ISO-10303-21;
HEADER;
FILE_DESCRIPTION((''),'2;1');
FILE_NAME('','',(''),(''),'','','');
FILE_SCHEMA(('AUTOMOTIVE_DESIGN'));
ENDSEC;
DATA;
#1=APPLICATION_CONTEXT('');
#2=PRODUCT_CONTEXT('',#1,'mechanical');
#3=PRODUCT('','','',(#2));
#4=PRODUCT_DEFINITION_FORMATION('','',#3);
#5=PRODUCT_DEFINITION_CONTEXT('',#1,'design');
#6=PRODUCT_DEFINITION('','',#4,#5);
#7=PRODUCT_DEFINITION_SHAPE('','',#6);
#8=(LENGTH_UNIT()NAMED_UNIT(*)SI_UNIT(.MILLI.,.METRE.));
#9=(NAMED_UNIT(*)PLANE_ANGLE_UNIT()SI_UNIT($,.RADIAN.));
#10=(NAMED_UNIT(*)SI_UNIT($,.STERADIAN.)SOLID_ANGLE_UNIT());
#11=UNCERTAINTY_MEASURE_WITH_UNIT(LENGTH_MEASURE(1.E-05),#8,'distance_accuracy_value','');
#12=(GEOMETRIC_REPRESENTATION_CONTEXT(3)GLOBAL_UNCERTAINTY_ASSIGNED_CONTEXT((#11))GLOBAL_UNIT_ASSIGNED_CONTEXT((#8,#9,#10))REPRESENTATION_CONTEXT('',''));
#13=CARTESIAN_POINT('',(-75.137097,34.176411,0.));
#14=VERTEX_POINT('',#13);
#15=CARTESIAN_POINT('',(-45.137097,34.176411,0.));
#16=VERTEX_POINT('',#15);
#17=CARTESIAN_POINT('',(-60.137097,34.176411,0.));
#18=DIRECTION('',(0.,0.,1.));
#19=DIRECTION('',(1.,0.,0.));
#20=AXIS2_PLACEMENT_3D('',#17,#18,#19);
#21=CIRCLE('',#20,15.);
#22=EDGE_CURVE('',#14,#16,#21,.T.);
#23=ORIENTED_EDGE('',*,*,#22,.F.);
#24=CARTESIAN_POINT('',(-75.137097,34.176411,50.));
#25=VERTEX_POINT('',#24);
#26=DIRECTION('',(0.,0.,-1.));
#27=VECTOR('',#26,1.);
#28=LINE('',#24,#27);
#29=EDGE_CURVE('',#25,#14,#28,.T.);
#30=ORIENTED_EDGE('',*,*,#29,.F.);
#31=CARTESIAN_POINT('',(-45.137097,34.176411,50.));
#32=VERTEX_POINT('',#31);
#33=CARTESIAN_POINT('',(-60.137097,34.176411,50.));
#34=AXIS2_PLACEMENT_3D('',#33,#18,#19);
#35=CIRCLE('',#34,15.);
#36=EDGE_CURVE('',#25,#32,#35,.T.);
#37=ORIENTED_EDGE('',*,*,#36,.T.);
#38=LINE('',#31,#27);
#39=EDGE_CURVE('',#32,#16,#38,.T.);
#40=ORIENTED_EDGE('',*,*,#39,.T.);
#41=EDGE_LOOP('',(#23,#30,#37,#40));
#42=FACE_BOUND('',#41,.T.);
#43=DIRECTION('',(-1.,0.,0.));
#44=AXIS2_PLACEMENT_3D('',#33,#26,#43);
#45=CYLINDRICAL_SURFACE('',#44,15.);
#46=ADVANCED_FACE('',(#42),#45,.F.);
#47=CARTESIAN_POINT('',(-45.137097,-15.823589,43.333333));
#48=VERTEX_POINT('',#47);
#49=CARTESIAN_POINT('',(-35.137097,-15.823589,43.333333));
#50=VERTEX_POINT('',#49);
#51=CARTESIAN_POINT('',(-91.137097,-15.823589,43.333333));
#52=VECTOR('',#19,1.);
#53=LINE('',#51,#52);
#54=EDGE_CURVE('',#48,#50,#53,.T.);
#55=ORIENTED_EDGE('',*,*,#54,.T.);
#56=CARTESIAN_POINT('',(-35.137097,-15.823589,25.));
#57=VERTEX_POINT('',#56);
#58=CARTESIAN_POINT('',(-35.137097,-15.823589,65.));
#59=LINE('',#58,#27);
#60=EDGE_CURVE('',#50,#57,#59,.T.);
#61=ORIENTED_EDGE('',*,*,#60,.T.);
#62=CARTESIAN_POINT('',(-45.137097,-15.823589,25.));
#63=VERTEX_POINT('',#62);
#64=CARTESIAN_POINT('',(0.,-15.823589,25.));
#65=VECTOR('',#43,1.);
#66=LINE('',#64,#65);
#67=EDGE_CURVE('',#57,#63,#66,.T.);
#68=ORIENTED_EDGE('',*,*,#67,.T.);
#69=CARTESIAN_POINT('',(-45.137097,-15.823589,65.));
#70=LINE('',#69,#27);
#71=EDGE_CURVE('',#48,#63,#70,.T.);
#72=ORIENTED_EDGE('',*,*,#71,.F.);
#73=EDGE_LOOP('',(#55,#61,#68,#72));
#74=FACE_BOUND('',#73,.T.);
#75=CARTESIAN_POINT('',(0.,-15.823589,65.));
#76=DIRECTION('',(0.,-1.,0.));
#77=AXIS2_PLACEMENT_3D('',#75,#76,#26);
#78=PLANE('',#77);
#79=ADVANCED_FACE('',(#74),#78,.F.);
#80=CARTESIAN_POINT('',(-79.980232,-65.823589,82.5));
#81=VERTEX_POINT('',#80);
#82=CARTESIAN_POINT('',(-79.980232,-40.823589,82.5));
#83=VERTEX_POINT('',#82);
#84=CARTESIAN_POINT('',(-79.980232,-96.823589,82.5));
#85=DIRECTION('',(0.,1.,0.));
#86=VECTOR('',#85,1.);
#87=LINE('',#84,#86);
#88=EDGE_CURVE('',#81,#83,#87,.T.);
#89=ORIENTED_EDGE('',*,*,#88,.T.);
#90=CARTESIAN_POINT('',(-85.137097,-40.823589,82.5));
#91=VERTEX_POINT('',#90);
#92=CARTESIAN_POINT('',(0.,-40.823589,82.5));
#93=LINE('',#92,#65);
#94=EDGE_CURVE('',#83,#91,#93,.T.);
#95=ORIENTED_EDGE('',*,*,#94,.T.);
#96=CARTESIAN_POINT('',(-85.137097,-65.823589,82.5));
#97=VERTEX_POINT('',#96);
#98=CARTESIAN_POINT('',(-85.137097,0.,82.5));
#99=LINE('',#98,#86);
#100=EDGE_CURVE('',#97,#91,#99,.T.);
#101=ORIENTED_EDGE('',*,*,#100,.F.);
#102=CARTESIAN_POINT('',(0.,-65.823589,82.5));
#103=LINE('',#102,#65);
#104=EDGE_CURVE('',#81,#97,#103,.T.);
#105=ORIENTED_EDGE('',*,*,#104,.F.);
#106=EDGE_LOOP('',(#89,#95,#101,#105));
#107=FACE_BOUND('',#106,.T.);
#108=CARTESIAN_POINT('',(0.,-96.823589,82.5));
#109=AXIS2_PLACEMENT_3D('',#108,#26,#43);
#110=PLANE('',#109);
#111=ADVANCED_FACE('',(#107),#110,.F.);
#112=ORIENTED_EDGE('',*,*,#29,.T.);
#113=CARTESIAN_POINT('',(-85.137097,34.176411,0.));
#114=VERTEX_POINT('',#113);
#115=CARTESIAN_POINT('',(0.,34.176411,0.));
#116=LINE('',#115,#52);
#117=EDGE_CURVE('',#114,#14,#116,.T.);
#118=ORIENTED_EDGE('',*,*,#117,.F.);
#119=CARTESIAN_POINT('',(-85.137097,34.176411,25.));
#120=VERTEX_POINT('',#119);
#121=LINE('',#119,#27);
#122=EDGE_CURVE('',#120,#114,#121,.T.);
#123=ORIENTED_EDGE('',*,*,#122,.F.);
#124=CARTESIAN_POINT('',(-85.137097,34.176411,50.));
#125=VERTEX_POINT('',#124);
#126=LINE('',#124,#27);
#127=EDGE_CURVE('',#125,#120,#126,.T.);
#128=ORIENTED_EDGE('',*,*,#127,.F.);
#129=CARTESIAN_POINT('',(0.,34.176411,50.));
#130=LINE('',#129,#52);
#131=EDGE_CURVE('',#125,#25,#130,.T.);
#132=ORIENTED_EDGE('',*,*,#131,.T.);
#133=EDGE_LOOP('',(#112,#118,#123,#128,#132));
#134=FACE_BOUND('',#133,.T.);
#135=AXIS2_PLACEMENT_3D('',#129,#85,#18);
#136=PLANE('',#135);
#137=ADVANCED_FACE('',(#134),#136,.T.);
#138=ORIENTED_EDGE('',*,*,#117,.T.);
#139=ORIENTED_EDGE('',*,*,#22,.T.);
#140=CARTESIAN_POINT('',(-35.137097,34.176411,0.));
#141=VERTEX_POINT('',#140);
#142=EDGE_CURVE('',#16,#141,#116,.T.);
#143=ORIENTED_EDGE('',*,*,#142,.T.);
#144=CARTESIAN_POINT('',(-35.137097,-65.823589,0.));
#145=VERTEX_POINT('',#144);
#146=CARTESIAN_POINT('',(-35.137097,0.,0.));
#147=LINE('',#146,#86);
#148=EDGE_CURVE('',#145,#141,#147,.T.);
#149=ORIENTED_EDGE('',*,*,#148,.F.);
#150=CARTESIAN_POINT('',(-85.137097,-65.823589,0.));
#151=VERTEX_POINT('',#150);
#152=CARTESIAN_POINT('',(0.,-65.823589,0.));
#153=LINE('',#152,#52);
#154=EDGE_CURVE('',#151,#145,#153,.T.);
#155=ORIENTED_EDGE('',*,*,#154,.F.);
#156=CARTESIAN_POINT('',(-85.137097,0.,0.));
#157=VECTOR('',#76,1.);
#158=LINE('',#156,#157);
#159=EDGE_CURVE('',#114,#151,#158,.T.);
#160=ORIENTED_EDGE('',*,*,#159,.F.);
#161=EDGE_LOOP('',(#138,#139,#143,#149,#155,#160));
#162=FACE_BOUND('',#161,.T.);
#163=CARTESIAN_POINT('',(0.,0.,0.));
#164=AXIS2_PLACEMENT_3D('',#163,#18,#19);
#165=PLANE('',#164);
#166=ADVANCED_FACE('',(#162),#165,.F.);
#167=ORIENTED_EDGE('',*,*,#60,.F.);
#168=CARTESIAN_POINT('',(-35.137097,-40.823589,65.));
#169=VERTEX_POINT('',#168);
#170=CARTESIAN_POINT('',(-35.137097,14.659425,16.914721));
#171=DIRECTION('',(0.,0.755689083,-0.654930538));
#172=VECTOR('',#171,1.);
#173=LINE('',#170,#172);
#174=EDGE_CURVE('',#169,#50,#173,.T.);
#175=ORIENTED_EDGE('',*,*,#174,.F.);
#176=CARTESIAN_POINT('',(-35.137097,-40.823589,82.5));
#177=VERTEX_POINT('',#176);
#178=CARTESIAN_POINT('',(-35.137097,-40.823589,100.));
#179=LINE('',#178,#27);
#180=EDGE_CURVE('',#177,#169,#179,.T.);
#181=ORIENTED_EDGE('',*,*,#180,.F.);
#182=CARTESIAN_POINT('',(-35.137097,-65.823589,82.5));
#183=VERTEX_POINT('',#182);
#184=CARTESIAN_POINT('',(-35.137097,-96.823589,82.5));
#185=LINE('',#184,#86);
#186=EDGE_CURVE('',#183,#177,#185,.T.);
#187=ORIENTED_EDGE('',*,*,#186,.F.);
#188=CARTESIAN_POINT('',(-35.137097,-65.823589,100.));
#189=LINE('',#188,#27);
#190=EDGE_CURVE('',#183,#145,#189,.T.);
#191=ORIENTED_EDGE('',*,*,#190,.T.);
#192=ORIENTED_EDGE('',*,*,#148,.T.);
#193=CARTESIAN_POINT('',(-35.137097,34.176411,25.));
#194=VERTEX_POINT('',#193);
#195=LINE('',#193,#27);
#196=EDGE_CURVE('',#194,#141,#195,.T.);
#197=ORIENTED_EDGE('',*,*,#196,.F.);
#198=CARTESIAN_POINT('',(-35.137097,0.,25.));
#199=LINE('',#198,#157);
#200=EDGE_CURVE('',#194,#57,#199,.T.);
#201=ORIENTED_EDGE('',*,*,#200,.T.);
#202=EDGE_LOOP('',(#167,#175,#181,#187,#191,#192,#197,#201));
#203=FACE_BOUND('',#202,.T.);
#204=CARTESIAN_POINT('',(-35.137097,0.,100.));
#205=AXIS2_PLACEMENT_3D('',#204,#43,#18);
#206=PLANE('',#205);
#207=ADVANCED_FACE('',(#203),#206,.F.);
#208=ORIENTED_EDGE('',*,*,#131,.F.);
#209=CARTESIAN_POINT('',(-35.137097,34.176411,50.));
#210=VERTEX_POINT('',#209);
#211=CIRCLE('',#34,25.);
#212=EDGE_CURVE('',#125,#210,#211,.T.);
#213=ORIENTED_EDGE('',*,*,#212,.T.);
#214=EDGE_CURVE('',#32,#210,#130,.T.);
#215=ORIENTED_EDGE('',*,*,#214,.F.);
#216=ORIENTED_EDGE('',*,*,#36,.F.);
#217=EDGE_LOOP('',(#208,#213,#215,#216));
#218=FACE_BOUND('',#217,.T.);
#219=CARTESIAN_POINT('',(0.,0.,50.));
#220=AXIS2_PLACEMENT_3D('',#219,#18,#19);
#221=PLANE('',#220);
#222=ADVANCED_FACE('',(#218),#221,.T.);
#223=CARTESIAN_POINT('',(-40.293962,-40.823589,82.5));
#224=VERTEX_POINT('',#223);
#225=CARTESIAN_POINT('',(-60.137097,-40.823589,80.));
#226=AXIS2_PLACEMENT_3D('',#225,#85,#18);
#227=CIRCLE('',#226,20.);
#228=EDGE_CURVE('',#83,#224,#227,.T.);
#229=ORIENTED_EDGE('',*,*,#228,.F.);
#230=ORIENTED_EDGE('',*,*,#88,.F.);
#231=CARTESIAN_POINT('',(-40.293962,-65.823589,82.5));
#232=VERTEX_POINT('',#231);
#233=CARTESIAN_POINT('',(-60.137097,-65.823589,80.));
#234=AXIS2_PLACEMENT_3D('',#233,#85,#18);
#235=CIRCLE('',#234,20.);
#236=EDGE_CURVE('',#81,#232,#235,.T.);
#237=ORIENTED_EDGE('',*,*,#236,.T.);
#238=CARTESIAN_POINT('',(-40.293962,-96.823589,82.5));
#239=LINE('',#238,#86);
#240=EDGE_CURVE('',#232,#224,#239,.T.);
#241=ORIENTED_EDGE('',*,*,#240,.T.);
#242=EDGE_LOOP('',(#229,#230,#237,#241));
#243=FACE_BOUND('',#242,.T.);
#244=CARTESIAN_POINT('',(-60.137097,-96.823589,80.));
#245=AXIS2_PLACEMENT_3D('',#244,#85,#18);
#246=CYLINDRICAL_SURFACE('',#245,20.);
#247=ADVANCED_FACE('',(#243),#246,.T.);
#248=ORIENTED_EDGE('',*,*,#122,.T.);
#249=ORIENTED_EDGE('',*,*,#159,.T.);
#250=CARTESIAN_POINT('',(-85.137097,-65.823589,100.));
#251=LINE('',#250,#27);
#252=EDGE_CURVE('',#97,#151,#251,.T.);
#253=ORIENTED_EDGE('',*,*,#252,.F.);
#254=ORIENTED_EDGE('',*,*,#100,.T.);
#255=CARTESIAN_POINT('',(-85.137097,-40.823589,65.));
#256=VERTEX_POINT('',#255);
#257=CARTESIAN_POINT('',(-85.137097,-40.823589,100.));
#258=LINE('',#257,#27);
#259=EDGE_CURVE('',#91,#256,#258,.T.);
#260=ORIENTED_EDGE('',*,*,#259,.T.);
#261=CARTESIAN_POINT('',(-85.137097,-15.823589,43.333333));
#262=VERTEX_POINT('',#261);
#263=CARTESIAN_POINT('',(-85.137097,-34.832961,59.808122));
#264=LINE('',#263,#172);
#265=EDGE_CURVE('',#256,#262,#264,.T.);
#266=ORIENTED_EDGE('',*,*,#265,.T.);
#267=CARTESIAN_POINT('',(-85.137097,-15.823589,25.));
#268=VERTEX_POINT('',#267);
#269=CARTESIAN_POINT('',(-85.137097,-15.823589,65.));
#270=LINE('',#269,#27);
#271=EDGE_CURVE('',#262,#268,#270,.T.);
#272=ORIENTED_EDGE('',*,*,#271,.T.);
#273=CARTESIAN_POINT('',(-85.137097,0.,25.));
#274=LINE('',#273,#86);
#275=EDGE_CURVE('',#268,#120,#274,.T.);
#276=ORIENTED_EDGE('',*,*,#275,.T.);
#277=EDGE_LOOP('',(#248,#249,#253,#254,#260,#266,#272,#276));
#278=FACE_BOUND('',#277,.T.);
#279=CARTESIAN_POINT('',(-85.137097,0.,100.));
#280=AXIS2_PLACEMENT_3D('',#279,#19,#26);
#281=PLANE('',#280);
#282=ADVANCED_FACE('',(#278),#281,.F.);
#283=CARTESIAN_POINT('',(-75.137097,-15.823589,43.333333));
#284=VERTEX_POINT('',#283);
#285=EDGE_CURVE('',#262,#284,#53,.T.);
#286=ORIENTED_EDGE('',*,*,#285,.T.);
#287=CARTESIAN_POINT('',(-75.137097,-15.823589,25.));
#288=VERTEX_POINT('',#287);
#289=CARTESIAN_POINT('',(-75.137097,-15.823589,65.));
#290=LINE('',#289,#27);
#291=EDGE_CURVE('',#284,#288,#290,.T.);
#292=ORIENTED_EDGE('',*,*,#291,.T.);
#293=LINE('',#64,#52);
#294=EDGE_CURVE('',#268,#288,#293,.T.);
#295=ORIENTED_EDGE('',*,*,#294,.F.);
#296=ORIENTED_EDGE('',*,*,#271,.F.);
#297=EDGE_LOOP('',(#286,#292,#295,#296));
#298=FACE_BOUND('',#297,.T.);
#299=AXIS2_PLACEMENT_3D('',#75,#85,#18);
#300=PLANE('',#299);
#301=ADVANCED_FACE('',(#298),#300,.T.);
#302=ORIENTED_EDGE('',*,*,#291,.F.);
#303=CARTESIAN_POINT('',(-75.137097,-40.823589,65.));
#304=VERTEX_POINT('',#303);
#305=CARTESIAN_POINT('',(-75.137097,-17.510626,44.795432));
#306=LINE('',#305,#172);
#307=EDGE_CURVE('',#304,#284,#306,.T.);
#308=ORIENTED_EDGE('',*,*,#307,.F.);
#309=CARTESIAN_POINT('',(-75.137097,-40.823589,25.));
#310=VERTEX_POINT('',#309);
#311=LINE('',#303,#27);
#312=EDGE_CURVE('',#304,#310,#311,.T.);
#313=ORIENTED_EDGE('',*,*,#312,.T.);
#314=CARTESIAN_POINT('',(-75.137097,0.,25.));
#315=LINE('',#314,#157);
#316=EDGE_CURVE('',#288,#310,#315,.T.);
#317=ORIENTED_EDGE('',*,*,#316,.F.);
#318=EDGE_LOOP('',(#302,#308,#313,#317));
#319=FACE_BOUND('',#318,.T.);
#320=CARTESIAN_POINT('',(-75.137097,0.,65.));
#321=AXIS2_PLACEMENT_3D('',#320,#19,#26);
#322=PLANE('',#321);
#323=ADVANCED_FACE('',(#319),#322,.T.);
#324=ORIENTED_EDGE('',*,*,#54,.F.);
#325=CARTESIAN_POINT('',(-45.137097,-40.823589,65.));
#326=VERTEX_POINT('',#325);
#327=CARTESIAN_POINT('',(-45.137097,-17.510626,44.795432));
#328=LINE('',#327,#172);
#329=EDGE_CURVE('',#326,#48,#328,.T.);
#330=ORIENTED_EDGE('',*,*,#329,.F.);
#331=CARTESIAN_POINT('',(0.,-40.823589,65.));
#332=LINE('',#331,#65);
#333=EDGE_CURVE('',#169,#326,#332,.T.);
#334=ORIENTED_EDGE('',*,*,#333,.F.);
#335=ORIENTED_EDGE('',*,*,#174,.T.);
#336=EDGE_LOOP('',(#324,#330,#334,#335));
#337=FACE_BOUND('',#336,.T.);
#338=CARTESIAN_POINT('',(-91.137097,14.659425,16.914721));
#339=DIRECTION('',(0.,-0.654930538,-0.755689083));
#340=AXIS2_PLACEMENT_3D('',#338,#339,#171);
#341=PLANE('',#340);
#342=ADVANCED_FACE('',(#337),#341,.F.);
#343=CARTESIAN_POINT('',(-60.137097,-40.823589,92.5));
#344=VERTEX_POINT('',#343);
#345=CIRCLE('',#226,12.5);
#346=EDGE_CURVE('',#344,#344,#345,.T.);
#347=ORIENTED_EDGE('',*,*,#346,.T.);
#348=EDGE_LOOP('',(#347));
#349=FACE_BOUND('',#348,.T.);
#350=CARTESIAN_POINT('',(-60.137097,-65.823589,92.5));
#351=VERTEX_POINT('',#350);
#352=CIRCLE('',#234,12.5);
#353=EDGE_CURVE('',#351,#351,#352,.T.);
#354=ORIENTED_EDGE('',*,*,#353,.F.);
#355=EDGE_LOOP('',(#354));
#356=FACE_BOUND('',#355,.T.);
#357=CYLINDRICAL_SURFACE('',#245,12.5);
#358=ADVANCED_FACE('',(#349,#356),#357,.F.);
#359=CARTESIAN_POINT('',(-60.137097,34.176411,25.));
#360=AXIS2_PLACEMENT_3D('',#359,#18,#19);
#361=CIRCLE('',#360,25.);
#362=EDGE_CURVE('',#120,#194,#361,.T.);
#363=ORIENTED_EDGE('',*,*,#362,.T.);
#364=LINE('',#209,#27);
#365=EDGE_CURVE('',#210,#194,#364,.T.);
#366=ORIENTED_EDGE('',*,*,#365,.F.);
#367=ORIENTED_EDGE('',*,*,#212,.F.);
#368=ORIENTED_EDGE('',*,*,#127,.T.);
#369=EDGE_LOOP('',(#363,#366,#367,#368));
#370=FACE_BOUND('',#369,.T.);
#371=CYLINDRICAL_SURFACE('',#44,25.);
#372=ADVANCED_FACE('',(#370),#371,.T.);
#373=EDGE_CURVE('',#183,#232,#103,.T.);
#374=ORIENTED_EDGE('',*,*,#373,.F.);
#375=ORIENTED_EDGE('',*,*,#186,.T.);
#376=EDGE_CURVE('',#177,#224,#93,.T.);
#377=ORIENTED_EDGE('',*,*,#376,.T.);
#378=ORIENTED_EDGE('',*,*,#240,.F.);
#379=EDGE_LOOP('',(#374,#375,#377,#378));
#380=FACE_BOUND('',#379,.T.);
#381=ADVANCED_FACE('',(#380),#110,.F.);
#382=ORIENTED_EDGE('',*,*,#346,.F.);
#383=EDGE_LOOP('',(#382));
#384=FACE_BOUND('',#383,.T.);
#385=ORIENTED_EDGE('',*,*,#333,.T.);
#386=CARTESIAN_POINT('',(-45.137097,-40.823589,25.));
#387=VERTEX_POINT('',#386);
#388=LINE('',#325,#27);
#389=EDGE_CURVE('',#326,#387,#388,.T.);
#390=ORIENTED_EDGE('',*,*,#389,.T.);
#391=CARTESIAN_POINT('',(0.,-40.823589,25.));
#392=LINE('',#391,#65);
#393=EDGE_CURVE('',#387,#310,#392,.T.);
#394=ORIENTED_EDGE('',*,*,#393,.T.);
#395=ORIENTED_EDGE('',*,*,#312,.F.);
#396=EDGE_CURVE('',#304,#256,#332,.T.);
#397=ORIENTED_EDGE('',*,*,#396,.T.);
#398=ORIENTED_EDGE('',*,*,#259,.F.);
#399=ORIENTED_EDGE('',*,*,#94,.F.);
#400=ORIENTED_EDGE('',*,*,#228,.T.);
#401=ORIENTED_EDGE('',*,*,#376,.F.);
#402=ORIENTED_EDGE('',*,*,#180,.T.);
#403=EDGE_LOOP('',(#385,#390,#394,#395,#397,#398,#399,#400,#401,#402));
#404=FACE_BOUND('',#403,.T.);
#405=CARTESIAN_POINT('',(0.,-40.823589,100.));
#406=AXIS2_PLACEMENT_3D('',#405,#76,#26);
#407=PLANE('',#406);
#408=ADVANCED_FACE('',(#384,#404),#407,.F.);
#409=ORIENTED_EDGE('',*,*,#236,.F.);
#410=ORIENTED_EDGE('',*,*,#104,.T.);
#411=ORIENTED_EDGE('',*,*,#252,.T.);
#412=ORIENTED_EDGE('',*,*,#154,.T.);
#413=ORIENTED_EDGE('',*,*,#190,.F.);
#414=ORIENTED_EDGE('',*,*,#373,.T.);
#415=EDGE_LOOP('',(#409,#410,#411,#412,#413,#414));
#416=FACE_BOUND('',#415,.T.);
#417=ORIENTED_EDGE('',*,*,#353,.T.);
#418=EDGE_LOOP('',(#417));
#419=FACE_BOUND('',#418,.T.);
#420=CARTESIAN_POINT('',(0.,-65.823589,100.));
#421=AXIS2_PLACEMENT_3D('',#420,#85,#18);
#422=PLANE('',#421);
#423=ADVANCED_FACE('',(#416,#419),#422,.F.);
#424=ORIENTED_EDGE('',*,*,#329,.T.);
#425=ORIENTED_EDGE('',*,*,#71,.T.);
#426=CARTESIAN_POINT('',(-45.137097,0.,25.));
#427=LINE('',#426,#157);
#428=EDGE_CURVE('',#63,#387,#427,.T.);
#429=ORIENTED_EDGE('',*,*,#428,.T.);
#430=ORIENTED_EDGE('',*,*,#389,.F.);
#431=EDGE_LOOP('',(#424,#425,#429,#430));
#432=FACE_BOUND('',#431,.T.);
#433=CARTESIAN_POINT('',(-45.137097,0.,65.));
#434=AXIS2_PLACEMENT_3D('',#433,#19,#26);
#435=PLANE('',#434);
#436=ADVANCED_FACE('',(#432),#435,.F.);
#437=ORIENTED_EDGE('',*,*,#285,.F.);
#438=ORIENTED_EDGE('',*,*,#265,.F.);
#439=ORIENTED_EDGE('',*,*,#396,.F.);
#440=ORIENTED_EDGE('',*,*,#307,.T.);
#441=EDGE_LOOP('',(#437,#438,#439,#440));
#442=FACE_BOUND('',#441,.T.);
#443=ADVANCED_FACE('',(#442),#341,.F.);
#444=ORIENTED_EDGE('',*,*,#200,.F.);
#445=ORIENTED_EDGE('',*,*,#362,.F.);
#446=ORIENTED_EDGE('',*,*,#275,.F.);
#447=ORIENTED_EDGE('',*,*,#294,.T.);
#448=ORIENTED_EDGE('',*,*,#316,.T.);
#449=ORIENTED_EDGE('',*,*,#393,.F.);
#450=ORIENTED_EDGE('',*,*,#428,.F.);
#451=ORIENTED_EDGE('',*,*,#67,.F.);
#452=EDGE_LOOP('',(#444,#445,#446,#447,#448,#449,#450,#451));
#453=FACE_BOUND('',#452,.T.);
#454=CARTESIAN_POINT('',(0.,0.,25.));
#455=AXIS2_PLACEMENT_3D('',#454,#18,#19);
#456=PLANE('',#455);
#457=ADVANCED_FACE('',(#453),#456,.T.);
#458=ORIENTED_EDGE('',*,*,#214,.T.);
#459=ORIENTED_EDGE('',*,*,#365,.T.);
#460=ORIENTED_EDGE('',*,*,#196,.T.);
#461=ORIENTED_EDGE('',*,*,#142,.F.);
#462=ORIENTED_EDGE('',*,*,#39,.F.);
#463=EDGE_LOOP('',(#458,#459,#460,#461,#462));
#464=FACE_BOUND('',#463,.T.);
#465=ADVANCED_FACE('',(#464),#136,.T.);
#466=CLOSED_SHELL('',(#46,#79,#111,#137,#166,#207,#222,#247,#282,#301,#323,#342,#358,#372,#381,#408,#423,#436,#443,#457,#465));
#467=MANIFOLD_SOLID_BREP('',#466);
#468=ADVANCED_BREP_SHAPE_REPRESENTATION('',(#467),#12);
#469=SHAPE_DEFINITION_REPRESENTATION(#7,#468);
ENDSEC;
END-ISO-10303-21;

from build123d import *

# Parameters (mm, degrees)
BOSS_EXTRUDE2_DEPTH = 100
SKETCH1_4_W         = 10
SKETCH1_4_H         = 25
BOSS_EXTRUDE3_DEPTH = 65
BOSS_EXTRUDE4_DEPTH = 25
BOSS_EXTRUDE5_DEPTH = 50
SKETCH4_R           = 12.5
CUT_EXTRUDE1_DEPTH  = 56
CUT_EXTRUDE2_DEPTH  = 56


with BuildPart() as part:
    # Sketch1 → Boss-Extrude2 (new body)
    with BuildSketch(Plane.XY):
        Polygon((-85.137096774, -40.82358871), (-85.137096774, -65.82358871), (-35.137096774, -65.82358871), (-35.137096774, -40.82358871), (-45.137096774, -40.82358871), (-75.137096774, -40.82358871), align=None)
    extrude(amount=BOSS_EXTRUDE2_DEPTH)

    # Sketch1<4> → Boss-Extrude3 (add)
    with BuildSketch(Plane.XY):
        with Locations((-80.137096774, -28.32358871)):
            Rectangle(SKETCH1_4_W, SKETCH1_4_H)
        with Locations((-40.137096774, -28.32358871)):
            Rectangle(SKETCH1_4_W, SKETCH1_4_H)
    extrude(amount=BOSS_EXTRUDE3_DEPTH)

    # Sketch1<5> → Boss-Extrude4 (add)
    with BuildSketch(Plane.XY):
        with BuildLine():
            Line((-75.137096774, -15.82358871), (-75.137096774, -40.82358871))
            Line((-75.137096774, -40.82358871), (-45.137096774, -40.82358871))
            Line((-45.137096774, -40.82358871), (-45.137096774, -15.82358871))
            Line((-45.137096774, -15.82358871), (-35.137096774, -15.82358871))
            Line((-35.137096774, -15.82358871), (-35.137096774, 34.17641129))
            ThreePointArc((-35.137096774, 34.17641129), (-60.137096774, 9.17641129), (-85.137096774, 34.17641129))
            Line((-85.137096774, 34.17641129), (-85.137096774, -15.82358871))
            Line((-85.137096774, -15.82358871), (-75.137096774, -15.82358871))
        make_face()
    extrude(amount=BOSS_EXTRUDE4_DEPTH)

    # Sketch1<6> → Boss-Extrude5 (add)
    with BuildSketch(Plane.XY):
        with BuildLine():
            Line((-75.137096774, 34.17641129), (-85.137096774, 34.17641129))
            ThreePointArc((-85.137096774, 34.17641129), (-60.137096774, 9.17641129), (-35.137096774, 34.17641129))
            Line((-35.137096774, 34.17641129), (-45.137096774, 34.17641129))
            ThreePointArc((-45.137096774, 34.17641129), (-60.137096774, 19.17641129), (-75.137096774, 34.17641129))
        make_face()
    extrude(amount=BOSS_EXTRUDE5_DEPTH)

    # Sketch4 → Cut-Extrude1 (cut)
    with BuildSketch(Plane(origin=(0, -40.82358871, 0), x_dir=(1, 0, 0), z_dir=(0, 1, 0))):
        with BuildLine():
            Line((-35.137096774, -100), (-35.137096774, -82.5))
            Line((-35.137096774, -82.5), (-40.293961941, -82.5))
            ThreePointArc((-40.293961941, -82.5), (-46.908340219, -95), (-60.137096774, -100))
            Line((-60.137096774, -100), (-35.137096774, -100))
        make_face()
        with BuildLine():
            Line((-85.137096774, -100), (-60.137096774, -100))
            ThreePointArc((-60.137096774, -100), (-73.36585333, -95), (-79.980231607, -82.5))
            Line((-79.980231607, -82.5), (-85.137096774, -82.5))
            Line((-85.137096774, -82.5), (-85.137096774, -100))
        make_face()
        with Locations((-60.137096774, -80)):
            Circle(SKETCH4_R)
    extrude(amount=-CUT_EXTRUDE1_DEPTH, mode=Mode.SUBTRACT)

    # Sketch7 → Cut-Extrude2 (cut)
    with BuildSketch(Plane(origin=(-35.137096774, 0, 0), x_dir=(0, 0, -1), z_dir=(1, 0, 0))):
        Polygon((-65, -15.82358871), (-65, -40.82358871), (-43.333333333, -15.82358871), align=None)
    extrude(amount=-CUT_EXTRUDE2_DEPTH, mode=Mode.SUBTRACT)


solid = part.part
